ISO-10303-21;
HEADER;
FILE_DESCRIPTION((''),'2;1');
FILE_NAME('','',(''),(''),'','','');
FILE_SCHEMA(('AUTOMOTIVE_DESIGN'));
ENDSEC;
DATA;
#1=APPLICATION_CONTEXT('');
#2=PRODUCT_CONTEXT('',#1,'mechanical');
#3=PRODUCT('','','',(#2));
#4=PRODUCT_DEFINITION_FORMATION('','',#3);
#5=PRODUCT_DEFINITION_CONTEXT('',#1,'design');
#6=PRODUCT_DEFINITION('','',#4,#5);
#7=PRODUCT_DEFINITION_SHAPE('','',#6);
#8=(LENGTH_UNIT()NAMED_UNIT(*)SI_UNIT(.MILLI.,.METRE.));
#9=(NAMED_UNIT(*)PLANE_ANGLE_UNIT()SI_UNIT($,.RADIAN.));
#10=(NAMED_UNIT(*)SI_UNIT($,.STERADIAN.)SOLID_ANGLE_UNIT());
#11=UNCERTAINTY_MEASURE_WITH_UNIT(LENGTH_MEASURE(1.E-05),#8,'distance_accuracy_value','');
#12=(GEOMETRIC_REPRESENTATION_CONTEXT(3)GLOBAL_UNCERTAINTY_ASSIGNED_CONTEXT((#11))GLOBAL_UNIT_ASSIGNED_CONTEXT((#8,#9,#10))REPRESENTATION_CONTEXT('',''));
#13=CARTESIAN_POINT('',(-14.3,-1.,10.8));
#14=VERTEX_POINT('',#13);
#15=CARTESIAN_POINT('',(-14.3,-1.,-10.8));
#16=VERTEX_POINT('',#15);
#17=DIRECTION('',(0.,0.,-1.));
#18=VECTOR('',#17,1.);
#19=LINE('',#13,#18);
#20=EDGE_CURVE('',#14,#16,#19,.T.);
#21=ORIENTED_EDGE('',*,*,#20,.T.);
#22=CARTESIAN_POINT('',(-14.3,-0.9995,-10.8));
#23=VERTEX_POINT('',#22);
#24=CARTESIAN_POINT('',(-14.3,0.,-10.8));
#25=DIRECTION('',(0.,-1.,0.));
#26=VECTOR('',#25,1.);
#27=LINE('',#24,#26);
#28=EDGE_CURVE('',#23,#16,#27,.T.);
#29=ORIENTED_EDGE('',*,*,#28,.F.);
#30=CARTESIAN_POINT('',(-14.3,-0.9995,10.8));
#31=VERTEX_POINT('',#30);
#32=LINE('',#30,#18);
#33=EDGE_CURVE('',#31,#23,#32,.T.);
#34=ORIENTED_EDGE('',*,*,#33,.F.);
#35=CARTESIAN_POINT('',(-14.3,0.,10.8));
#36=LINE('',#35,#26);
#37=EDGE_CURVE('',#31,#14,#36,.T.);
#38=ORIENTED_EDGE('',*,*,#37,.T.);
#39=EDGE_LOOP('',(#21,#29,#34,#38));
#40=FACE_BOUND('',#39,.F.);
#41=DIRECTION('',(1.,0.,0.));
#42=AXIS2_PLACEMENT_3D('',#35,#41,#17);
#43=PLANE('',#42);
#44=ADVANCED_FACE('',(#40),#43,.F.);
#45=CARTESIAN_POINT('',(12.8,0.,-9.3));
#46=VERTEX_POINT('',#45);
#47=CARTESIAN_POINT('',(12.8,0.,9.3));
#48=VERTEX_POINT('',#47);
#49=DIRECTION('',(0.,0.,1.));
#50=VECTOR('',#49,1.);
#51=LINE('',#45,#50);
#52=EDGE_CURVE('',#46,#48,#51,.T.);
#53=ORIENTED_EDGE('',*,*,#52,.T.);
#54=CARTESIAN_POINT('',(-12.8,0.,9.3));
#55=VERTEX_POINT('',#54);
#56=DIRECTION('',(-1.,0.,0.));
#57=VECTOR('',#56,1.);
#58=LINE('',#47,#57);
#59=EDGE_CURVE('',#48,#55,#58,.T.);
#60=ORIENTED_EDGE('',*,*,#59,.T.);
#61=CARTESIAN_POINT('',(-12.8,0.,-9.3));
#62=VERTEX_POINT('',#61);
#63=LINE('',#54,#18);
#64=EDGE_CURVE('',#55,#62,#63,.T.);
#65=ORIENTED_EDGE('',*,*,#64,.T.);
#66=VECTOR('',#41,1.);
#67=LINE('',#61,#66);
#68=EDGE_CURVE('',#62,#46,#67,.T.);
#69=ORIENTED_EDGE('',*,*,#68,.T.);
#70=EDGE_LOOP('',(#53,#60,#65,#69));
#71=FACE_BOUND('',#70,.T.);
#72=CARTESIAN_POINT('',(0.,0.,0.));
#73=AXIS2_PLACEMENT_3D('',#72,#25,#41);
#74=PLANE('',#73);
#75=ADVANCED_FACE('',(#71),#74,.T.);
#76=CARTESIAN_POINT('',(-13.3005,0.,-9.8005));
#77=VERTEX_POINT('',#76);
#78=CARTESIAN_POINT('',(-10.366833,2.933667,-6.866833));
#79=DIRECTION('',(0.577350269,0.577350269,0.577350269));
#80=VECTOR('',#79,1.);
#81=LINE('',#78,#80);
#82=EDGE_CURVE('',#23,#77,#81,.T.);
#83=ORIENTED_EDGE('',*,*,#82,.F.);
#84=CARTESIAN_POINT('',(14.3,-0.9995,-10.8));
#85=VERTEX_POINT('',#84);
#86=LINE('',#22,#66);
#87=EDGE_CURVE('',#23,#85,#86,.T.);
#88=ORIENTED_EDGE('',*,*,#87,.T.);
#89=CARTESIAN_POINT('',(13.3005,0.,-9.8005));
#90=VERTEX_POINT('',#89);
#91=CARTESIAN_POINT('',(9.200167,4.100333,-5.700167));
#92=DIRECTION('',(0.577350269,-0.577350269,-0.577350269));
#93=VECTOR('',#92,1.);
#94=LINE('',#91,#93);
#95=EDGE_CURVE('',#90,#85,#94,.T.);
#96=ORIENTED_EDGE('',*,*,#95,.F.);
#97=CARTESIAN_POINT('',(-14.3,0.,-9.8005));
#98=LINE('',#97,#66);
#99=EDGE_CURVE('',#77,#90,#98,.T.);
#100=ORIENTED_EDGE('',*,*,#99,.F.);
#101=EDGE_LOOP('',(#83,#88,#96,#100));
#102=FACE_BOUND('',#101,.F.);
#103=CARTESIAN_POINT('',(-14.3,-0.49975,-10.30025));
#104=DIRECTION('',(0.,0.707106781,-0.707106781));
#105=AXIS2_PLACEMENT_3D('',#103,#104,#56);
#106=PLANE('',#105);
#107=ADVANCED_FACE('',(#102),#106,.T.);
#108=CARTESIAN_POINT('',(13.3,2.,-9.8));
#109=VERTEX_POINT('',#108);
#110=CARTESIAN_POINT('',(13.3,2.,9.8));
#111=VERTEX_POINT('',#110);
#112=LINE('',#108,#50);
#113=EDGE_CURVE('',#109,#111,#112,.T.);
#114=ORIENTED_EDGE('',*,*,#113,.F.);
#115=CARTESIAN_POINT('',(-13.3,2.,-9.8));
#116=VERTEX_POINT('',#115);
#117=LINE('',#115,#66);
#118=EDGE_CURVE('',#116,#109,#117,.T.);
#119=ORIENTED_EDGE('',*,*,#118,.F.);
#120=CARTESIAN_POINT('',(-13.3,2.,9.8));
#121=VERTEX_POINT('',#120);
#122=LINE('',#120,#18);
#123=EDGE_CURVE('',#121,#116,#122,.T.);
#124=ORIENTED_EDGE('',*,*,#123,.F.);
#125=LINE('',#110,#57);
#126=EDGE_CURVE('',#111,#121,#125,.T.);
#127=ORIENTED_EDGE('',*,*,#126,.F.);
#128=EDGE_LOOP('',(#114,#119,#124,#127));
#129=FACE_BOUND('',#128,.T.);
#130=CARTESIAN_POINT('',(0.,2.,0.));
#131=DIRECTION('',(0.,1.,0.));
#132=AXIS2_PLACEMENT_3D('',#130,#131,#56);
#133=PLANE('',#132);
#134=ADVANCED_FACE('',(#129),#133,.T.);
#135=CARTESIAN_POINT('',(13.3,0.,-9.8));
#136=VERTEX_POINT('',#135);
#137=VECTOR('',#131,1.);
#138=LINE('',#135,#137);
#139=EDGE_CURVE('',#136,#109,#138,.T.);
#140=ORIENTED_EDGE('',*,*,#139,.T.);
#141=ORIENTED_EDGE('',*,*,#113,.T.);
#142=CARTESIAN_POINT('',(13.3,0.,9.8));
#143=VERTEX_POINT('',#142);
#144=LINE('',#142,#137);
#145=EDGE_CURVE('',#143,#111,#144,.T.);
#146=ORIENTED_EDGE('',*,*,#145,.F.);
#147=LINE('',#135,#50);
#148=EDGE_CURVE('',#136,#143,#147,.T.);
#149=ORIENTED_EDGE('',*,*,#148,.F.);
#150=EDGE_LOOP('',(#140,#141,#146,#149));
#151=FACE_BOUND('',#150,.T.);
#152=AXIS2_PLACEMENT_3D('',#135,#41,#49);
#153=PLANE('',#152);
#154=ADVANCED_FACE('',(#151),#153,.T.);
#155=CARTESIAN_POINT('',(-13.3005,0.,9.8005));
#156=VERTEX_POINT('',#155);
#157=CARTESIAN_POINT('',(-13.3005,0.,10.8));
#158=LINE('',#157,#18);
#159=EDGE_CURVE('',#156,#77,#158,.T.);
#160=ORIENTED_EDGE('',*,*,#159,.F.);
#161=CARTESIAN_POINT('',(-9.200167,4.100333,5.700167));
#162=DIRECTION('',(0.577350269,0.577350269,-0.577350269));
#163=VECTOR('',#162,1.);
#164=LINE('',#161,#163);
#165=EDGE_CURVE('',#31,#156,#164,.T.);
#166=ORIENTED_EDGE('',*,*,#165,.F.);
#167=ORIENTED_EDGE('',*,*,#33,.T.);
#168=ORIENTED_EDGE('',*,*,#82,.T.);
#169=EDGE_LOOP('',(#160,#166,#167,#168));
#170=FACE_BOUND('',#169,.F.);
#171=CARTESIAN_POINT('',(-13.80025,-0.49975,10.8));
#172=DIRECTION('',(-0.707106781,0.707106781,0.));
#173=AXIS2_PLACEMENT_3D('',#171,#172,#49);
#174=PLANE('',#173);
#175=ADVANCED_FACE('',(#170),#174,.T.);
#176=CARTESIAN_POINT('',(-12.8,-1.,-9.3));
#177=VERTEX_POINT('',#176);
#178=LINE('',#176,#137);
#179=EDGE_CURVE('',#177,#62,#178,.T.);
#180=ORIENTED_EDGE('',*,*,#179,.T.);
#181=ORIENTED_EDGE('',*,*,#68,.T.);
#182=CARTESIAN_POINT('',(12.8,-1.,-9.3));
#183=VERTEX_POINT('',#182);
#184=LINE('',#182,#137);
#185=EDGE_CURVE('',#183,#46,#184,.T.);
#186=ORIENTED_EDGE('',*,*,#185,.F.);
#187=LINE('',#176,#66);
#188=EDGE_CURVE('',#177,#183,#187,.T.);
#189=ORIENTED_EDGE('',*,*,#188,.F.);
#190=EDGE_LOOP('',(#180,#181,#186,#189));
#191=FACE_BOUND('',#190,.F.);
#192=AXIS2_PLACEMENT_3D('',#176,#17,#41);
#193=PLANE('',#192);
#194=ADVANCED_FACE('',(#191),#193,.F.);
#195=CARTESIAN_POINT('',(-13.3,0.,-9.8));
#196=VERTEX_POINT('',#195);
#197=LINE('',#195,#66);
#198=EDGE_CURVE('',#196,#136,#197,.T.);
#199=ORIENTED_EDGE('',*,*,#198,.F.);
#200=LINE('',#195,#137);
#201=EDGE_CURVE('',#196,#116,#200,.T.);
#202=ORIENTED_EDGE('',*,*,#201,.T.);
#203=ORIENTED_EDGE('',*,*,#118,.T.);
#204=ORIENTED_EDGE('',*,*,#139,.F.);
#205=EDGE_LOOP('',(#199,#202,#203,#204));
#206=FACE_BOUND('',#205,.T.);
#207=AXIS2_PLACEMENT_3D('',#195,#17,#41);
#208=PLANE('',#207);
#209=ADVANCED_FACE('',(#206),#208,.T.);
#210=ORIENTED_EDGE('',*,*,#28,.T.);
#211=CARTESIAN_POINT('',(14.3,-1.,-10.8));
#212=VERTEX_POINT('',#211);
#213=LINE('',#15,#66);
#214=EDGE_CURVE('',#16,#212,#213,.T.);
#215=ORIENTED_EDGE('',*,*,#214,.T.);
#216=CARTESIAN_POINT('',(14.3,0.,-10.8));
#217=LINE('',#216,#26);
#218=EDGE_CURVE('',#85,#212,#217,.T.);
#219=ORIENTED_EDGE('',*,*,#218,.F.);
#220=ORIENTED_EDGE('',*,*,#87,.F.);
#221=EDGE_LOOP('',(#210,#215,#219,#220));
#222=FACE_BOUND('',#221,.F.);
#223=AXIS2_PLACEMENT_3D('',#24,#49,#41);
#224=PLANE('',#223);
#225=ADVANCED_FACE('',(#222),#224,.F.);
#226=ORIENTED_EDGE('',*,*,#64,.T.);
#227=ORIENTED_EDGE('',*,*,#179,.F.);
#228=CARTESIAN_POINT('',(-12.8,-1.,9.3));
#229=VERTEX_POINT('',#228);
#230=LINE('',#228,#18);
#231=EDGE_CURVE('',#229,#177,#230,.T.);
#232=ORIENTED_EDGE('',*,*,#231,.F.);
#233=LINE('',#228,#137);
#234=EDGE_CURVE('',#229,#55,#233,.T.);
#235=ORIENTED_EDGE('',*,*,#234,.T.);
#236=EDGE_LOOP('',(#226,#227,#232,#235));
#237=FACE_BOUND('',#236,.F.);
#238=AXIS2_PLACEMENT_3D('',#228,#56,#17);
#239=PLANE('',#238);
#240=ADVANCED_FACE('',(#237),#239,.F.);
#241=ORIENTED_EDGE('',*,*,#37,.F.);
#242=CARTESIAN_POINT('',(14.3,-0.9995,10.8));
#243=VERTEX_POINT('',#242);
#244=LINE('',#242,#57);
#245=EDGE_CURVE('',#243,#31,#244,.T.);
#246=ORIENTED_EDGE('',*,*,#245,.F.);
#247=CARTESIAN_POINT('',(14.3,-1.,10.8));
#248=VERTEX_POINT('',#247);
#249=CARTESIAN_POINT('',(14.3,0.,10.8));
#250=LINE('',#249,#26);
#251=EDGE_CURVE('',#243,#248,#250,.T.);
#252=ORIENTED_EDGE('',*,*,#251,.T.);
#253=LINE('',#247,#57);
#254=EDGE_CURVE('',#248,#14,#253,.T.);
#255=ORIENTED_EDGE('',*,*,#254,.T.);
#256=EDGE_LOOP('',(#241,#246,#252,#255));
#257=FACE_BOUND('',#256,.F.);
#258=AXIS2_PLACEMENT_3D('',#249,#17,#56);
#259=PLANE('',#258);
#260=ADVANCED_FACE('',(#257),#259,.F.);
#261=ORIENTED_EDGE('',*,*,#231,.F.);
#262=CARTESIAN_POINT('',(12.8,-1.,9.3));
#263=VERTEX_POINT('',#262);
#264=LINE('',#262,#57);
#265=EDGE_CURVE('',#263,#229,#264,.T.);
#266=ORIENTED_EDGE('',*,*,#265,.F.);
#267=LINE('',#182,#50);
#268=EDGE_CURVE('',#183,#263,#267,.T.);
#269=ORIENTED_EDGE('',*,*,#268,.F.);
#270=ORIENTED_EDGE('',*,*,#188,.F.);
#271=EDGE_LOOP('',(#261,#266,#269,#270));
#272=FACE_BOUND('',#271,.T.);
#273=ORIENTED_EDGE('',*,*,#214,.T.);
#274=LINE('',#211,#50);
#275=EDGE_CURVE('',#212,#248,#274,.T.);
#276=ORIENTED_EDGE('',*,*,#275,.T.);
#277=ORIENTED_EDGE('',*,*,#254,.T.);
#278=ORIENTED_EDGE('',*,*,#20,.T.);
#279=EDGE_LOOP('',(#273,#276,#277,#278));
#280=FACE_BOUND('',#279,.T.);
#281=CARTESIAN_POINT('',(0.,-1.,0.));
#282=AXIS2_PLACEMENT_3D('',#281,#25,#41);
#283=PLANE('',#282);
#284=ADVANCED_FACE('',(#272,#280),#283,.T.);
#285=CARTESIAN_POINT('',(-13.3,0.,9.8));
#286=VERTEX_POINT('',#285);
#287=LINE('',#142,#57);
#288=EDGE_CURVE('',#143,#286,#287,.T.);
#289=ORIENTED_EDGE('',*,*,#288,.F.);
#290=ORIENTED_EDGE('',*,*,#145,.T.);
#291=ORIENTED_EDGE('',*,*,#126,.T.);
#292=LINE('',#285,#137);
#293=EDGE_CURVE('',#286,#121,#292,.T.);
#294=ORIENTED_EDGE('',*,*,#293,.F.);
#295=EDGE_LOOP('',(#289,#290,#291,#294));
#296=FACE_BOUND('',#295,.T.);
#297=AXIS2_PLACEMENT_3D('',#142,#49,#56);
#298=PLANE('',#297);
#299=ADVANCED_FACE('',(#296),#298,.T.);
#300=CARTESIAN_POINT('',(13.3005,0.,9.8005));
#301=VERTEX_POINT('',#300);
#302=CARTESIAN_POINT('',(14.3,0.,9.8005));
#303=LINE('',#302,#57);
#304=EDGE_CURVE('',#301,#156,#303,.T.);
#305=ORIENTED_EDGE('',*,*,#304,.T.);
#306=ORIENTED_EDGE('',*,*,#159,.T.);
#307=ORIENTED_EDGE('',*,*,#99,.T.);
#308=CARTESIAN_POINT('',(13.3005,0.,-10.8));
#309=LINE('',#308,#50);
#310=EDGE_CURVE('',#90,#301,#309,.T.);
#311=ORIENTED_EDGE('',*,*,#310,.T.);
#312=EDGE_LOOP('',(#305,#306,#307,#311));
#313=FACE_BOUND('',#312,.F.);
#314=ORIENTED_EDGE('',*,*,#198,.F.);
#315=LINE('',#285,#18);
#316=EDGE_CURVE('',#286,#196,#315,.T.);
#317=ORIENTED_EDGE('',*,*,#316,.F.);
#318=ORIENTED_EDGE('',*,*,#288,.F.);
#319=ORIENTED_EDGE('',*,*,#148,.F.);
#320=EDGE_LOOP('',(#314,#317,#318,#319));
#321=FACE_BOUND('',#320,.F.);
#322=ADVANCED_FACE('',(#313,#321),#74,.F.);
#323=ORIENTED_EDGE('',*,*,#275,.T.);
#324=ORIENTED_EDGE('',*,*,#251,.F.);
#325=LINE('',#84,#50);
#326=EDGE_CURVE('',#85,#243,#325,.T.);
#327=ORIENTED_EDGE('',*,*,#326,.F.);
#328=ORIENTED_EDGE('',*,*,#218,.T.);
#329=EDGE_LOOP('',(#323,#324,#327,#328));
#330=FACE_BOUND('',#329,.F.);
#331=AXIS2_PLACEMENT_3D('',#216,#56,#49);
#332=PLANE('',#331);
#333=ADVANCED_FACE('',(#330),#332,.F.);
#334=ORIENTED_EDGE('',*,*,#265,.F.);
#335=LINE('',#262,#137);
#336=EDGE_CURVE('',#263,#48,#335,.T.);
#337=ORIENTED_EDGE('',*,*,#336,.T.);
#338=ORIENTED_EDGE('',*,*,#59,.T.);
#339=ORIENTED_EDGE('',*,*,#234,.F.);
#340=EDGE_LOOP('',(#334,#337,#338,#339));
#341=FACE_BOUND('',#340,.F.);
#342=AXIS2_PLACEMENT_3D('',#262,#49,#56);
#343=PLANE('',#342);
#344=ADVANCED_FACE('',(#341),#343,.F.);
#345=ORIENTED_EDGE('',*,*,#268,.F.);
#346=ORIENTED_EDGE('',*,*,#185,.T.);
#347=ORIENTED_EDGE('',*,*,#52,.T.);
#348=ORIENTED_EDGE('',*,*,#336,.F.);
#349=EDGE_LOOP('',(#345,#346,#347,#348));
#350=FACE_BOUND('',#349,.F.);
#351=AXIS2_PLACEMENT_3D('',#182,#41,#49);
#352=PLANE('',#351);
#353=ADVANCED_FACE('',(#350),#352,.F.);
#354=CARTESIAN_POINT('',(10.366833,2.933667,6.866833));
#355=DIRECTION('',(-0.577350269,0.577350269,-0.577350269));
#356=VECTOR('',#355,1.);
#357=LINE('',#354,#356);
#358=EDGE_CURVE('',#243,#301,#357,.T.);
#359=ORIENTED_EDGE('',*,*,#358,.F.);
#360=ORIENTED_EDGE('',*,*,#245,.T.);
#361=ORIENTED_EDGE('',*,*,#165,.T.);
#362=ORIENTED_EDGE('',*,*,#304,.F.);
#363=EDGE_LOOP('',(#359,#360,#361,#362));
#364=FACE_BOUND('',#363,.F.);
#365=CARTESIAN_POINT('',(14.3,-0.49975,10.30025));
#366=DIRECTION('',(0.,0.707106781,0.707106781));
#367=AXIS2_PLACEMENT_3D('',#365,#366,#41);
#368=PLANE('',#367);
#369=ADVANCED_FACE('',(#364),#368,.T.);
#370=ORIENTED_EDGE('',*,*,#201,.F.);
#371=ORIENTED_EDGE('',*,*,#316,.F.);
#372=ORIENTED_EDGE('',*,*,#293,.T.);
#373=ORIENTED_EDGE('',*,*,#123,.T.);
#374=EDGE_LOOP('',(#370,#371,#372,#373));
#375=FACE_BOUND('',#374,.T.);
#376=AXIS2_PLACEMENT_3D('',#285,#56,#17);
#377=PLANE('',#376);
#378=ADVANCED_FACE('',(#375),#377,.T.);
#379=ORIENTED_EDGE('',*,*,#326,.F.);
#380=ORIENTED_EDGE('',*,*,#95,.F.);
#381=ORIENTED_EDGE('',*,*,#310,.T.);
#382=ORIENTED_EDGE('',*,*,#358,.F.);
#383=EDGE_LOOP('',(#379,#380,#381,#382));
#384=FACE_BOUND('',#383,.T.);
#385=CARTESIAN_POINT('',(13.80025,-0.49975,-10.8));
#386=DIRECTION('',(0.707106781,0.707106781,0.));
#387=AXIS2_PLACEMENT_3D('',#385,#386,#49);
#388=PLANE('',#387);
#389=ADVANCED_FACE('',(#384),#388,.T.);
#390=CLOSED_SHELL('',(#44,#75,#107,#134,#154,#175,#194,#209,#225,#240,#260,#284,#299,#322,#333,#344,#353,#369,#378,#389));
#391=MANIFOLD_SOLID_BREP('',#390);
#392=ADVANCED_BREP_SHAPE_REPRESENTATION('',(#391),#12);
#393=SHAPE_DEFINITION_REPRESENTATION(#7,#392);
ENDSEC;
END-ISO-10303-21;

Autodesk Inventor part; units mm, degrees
ref_plane "YZ Plane" through (0, 0, 0) normal (1, 0, 0) x (0, 1, 0)
ref_plane "XZ Plane" through (0, 0, 0) normal (0, 1, 0) x (-1, 0, 0)
ref_plane "XY Plane" through (0, 0, 0) normal (0, 0, 1) x (1, 0, 0)
sketch "Sketch1" plane through (0, 0, 0) normal (0, 1, 0) x (-1, 0, 0)
  line L0 (-13.3, 9.8) -> (13.3, 9.8)
  line L1 (13.3, 9.8) -> (13.3, -9.8)
  line L2 (13.3, -9.8) -> (-13.3, -9.8)
  line L3 (-13.3, -9.8) -> (-13.3, 9.8)
  line L4 (-13.3, 9.8) -> (13.3, -9.8) construction
  line L5 (13.3, 9.8) -> (-13.3, -9.8) construction
  point P0 (0, 0)
  dimension "d0" = 26.6
  dimension "d1" = 19.6
extrude "Extrusion1" add sketch "Sketch1" along normal blind 2
sketch "Sketch2" plane through (0, 0, 0) normal (0, -1, 0) x (1, 0, 0)
  line L0 (13.3, 9.8) -> (-13.3, 9.8) projected
  line L1 (13.3, -9.8) -> (13.3, 9.8) projected
  line L2 (-14.3, -10.8) -> (14.3, -10.8)
  line L3 (14.3, -10.8) -> (14.3, 10.8)
  line L4 (14.3, 10.8) -> (-14.3, 10.8)
  line L5 (-14.3, 10.8) -> (-14.3, -10.8)
  line L6 (-14.3, -10.8) -> (14.3, 10.8) construction
  line L7 (14.3, -10.8) -> (-14.3, 10.8) construction
  point P0 (0, 0)
  dimension "d4" = 1
  dimension "d5" = 1
extrude "Extrusion2" add sketch "Sketch2" along normal blind 1
chamfer "Chamfer1" distance 1 angle 45 4 edges at (0, 0, 10.8) (-14.3, 0, 0) (14.3, 0, 0) (0, 0, -10.8)
sketch "Sketch3" plane through (0, -1, 0) normal (0, -1, 0) x (1, 0, 0)
  line L0 (14.3, -10.8) -> (14.3, 10.8) projected
  line L1 (14.3, 10.8) -> (-14.3, 10.8) projected
  line L2 (-12.8, -9.3) -> (12.8, -9.3)
  line L3 (12.8, -9.3) -> (12.8, 9.3)
  line L4 (12.8, 9.3) -> (-12.8, 9.3)
  line L5 (-12.8, 9.3) -> (-12.8, -9.3)
  line L6 (-12.8, -9.3) -> (12.8, 9.3) construction
  line L7 (12.8, -9.3) -> (-12.8, 9.3) construction
  point P0 (0, 0)
  dimension "d11" = 1.5
  dimension "d12" = 1.5
extrude "Extrusion3" cut sketch "Sketch3" against normal blind 1
properties part number "wysw trans v2"
